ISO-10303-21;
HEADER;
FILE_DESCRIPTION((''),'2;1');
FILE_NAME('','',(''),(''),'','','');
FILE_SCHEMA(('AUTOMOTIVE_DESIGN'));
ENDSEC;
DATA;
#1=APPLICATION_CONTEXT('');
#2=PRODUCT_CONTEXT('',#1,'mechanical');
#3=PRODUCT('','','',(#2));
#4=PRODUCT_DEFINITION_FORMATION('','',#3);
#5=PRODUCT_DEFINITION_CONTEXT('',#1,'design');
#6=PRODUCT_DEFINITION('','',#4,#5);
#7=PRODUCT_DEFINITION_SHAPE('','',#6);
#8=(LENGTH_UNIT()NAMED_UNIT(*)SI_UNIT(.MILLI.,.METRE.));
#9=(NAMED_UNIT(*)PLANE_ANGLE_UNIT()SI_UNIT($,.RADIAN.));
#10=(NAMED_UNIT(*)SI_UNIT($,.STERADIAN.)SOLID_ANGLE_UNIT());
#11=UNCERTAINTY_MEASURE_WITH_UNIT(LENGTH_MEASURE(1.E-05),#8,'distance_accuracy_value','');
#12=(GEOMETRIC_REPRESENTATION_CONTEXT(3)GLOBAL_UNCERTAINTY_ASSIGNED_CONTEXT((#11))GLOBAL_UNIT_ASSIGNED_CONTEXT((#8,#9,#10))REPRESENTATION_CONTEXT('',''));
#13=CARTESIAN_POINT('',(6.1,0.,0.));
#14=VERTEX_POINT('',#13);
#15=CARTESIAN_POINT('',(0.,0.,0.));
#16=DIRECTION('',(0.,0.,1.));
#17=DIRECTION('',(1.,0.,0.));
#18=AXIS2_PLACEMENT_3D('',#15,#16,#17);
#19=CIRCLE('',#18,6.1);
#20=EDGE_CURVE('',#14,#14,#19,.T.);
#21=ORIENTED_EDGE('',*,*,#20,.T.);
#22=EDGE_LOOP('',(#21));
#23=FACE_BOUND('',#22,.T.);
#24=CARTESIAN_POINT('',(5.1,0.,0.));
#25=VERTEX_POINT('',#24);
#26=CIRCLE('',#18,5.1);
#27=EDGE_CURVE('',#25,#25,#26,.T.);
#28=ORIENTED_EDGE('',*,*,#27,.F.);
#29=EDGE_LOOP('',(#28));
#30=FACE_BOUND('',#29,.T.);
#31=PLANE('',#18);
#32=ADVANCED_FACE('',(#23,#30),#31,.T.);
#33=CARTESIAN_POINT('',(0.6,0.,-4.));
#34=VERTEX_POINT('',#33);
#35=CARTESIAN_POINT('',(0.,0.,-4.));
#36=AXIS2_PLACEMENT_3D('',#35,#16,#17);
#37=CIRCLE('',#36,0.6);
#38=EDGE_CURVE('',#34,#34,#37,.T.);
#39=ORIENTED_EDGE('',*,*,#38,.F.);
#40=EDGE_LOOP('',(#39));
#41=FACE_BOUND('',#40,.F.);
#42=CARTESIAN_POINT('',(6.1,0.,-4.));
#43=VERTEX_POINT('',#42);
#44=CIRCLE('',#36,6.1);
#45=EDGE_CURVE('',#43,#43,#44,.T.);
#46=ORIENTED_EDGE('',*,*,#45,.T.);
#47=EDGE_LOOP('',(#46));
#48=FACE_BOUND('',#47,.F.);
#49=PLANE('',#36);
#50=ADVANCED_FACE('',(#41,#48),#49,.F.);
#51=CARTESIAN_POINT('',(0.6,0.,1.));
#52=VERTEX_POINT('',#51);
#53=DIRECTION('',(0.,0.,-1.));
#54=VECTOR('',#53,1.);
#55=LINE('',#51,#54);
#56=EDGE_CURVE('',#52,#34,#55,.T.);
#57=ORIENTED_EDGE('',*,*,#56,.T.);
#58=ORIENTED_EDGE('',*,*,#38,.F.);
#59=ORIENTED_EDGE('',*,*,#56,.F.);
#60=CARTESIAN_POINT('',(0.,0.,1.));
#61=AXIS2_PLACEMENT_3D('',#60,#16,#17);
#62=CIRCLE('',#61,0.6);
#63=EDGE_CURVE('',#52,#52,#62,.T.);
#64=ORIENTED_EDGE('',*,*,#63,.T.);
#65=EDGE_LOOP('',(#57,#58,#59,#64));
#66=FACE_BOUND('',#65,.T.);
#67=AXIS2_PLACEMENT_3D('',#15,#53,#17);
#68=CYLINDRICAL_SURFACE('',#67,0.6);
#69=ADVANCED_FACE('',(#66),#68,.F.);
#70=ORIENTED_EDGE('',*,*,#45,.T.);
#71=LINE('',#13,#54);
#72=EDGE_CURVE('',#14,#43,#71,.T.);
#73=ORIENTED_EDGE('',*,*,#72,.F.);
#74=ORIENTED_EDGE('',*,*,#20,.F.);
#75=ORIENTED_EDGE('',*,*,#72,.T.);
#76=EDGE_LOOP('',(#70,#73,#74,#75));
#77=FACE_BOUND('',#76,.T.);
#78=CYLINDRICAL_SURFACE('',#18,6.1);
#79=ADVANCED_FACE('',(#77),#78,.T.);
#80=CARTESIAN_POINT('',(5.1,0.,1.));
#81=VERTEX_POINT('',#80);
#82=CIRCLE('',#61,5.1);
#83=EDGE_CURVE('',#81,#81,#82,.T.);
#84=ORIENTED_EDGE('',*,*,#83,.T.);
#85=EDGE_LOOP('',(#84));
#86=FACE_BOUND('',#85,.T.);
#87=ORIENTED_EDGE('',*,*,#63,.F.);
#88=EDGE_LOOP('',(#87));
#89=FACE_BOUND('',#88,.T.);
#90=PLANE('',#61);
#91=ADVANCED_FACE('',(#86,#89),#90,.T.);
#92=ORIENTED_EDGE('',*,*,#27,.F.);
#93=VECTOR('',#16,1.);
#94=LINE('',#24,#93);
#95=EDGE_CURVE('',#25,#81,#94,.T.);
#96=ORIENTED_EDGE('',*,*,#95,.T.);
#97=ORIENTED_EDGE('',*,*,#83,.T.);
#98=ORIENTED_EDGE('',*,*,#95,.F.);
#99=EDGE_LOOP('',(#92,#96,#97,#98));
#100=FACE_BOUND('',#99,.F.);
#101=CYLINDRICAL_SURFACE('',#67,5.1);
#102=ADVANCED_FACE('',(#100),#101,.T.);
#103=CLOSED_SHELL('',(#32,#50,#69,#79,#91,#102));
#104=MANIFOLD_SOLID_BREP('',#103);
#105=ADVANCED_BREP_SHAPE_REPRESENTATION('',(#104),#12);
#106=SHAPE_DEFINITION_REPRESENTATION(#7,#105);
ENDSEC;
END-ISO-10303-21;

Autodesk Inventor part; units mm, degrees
ref_plane "YZ Plane" through (0, 0, 0) normal (1, 0, 0) x (0, 1, 0)
ref_plane "XZ Plane" through (0, 0, 0) normal (0, 1, 0) x (-1, 0, 0)
ref_plane "XY Plane" through (0, 0, 0) normal (0, 0, 1) x (1, 0, 0)
sketch "Sketch1" plane through (0, 0, 0) normal (0, 0, 1) x (1, 0, 0)
  line L0 (-8.54, 0) -> (8.54, 0) construction
  line L1 (0, -8.54) -> (0, 8.54) construction
  circle A0 centre (0, 0) radius 0.6
  circle A1 centre (0, 0) radius 5.1
  circle A2 centre (0, 0) radius 6.1
  dimension "d0" = 1.2
  dimension "d1" = 10.2
  dimension "d4" = 1
extrude "Extrusion1" add sketch "Sketch1" along normal blind 1 contours A1
extrude "Extrusion2" add sketch "Sketch1" against normal blind 4 contours A1 | A2
properties part number "FootSensorCalibrationTool"
